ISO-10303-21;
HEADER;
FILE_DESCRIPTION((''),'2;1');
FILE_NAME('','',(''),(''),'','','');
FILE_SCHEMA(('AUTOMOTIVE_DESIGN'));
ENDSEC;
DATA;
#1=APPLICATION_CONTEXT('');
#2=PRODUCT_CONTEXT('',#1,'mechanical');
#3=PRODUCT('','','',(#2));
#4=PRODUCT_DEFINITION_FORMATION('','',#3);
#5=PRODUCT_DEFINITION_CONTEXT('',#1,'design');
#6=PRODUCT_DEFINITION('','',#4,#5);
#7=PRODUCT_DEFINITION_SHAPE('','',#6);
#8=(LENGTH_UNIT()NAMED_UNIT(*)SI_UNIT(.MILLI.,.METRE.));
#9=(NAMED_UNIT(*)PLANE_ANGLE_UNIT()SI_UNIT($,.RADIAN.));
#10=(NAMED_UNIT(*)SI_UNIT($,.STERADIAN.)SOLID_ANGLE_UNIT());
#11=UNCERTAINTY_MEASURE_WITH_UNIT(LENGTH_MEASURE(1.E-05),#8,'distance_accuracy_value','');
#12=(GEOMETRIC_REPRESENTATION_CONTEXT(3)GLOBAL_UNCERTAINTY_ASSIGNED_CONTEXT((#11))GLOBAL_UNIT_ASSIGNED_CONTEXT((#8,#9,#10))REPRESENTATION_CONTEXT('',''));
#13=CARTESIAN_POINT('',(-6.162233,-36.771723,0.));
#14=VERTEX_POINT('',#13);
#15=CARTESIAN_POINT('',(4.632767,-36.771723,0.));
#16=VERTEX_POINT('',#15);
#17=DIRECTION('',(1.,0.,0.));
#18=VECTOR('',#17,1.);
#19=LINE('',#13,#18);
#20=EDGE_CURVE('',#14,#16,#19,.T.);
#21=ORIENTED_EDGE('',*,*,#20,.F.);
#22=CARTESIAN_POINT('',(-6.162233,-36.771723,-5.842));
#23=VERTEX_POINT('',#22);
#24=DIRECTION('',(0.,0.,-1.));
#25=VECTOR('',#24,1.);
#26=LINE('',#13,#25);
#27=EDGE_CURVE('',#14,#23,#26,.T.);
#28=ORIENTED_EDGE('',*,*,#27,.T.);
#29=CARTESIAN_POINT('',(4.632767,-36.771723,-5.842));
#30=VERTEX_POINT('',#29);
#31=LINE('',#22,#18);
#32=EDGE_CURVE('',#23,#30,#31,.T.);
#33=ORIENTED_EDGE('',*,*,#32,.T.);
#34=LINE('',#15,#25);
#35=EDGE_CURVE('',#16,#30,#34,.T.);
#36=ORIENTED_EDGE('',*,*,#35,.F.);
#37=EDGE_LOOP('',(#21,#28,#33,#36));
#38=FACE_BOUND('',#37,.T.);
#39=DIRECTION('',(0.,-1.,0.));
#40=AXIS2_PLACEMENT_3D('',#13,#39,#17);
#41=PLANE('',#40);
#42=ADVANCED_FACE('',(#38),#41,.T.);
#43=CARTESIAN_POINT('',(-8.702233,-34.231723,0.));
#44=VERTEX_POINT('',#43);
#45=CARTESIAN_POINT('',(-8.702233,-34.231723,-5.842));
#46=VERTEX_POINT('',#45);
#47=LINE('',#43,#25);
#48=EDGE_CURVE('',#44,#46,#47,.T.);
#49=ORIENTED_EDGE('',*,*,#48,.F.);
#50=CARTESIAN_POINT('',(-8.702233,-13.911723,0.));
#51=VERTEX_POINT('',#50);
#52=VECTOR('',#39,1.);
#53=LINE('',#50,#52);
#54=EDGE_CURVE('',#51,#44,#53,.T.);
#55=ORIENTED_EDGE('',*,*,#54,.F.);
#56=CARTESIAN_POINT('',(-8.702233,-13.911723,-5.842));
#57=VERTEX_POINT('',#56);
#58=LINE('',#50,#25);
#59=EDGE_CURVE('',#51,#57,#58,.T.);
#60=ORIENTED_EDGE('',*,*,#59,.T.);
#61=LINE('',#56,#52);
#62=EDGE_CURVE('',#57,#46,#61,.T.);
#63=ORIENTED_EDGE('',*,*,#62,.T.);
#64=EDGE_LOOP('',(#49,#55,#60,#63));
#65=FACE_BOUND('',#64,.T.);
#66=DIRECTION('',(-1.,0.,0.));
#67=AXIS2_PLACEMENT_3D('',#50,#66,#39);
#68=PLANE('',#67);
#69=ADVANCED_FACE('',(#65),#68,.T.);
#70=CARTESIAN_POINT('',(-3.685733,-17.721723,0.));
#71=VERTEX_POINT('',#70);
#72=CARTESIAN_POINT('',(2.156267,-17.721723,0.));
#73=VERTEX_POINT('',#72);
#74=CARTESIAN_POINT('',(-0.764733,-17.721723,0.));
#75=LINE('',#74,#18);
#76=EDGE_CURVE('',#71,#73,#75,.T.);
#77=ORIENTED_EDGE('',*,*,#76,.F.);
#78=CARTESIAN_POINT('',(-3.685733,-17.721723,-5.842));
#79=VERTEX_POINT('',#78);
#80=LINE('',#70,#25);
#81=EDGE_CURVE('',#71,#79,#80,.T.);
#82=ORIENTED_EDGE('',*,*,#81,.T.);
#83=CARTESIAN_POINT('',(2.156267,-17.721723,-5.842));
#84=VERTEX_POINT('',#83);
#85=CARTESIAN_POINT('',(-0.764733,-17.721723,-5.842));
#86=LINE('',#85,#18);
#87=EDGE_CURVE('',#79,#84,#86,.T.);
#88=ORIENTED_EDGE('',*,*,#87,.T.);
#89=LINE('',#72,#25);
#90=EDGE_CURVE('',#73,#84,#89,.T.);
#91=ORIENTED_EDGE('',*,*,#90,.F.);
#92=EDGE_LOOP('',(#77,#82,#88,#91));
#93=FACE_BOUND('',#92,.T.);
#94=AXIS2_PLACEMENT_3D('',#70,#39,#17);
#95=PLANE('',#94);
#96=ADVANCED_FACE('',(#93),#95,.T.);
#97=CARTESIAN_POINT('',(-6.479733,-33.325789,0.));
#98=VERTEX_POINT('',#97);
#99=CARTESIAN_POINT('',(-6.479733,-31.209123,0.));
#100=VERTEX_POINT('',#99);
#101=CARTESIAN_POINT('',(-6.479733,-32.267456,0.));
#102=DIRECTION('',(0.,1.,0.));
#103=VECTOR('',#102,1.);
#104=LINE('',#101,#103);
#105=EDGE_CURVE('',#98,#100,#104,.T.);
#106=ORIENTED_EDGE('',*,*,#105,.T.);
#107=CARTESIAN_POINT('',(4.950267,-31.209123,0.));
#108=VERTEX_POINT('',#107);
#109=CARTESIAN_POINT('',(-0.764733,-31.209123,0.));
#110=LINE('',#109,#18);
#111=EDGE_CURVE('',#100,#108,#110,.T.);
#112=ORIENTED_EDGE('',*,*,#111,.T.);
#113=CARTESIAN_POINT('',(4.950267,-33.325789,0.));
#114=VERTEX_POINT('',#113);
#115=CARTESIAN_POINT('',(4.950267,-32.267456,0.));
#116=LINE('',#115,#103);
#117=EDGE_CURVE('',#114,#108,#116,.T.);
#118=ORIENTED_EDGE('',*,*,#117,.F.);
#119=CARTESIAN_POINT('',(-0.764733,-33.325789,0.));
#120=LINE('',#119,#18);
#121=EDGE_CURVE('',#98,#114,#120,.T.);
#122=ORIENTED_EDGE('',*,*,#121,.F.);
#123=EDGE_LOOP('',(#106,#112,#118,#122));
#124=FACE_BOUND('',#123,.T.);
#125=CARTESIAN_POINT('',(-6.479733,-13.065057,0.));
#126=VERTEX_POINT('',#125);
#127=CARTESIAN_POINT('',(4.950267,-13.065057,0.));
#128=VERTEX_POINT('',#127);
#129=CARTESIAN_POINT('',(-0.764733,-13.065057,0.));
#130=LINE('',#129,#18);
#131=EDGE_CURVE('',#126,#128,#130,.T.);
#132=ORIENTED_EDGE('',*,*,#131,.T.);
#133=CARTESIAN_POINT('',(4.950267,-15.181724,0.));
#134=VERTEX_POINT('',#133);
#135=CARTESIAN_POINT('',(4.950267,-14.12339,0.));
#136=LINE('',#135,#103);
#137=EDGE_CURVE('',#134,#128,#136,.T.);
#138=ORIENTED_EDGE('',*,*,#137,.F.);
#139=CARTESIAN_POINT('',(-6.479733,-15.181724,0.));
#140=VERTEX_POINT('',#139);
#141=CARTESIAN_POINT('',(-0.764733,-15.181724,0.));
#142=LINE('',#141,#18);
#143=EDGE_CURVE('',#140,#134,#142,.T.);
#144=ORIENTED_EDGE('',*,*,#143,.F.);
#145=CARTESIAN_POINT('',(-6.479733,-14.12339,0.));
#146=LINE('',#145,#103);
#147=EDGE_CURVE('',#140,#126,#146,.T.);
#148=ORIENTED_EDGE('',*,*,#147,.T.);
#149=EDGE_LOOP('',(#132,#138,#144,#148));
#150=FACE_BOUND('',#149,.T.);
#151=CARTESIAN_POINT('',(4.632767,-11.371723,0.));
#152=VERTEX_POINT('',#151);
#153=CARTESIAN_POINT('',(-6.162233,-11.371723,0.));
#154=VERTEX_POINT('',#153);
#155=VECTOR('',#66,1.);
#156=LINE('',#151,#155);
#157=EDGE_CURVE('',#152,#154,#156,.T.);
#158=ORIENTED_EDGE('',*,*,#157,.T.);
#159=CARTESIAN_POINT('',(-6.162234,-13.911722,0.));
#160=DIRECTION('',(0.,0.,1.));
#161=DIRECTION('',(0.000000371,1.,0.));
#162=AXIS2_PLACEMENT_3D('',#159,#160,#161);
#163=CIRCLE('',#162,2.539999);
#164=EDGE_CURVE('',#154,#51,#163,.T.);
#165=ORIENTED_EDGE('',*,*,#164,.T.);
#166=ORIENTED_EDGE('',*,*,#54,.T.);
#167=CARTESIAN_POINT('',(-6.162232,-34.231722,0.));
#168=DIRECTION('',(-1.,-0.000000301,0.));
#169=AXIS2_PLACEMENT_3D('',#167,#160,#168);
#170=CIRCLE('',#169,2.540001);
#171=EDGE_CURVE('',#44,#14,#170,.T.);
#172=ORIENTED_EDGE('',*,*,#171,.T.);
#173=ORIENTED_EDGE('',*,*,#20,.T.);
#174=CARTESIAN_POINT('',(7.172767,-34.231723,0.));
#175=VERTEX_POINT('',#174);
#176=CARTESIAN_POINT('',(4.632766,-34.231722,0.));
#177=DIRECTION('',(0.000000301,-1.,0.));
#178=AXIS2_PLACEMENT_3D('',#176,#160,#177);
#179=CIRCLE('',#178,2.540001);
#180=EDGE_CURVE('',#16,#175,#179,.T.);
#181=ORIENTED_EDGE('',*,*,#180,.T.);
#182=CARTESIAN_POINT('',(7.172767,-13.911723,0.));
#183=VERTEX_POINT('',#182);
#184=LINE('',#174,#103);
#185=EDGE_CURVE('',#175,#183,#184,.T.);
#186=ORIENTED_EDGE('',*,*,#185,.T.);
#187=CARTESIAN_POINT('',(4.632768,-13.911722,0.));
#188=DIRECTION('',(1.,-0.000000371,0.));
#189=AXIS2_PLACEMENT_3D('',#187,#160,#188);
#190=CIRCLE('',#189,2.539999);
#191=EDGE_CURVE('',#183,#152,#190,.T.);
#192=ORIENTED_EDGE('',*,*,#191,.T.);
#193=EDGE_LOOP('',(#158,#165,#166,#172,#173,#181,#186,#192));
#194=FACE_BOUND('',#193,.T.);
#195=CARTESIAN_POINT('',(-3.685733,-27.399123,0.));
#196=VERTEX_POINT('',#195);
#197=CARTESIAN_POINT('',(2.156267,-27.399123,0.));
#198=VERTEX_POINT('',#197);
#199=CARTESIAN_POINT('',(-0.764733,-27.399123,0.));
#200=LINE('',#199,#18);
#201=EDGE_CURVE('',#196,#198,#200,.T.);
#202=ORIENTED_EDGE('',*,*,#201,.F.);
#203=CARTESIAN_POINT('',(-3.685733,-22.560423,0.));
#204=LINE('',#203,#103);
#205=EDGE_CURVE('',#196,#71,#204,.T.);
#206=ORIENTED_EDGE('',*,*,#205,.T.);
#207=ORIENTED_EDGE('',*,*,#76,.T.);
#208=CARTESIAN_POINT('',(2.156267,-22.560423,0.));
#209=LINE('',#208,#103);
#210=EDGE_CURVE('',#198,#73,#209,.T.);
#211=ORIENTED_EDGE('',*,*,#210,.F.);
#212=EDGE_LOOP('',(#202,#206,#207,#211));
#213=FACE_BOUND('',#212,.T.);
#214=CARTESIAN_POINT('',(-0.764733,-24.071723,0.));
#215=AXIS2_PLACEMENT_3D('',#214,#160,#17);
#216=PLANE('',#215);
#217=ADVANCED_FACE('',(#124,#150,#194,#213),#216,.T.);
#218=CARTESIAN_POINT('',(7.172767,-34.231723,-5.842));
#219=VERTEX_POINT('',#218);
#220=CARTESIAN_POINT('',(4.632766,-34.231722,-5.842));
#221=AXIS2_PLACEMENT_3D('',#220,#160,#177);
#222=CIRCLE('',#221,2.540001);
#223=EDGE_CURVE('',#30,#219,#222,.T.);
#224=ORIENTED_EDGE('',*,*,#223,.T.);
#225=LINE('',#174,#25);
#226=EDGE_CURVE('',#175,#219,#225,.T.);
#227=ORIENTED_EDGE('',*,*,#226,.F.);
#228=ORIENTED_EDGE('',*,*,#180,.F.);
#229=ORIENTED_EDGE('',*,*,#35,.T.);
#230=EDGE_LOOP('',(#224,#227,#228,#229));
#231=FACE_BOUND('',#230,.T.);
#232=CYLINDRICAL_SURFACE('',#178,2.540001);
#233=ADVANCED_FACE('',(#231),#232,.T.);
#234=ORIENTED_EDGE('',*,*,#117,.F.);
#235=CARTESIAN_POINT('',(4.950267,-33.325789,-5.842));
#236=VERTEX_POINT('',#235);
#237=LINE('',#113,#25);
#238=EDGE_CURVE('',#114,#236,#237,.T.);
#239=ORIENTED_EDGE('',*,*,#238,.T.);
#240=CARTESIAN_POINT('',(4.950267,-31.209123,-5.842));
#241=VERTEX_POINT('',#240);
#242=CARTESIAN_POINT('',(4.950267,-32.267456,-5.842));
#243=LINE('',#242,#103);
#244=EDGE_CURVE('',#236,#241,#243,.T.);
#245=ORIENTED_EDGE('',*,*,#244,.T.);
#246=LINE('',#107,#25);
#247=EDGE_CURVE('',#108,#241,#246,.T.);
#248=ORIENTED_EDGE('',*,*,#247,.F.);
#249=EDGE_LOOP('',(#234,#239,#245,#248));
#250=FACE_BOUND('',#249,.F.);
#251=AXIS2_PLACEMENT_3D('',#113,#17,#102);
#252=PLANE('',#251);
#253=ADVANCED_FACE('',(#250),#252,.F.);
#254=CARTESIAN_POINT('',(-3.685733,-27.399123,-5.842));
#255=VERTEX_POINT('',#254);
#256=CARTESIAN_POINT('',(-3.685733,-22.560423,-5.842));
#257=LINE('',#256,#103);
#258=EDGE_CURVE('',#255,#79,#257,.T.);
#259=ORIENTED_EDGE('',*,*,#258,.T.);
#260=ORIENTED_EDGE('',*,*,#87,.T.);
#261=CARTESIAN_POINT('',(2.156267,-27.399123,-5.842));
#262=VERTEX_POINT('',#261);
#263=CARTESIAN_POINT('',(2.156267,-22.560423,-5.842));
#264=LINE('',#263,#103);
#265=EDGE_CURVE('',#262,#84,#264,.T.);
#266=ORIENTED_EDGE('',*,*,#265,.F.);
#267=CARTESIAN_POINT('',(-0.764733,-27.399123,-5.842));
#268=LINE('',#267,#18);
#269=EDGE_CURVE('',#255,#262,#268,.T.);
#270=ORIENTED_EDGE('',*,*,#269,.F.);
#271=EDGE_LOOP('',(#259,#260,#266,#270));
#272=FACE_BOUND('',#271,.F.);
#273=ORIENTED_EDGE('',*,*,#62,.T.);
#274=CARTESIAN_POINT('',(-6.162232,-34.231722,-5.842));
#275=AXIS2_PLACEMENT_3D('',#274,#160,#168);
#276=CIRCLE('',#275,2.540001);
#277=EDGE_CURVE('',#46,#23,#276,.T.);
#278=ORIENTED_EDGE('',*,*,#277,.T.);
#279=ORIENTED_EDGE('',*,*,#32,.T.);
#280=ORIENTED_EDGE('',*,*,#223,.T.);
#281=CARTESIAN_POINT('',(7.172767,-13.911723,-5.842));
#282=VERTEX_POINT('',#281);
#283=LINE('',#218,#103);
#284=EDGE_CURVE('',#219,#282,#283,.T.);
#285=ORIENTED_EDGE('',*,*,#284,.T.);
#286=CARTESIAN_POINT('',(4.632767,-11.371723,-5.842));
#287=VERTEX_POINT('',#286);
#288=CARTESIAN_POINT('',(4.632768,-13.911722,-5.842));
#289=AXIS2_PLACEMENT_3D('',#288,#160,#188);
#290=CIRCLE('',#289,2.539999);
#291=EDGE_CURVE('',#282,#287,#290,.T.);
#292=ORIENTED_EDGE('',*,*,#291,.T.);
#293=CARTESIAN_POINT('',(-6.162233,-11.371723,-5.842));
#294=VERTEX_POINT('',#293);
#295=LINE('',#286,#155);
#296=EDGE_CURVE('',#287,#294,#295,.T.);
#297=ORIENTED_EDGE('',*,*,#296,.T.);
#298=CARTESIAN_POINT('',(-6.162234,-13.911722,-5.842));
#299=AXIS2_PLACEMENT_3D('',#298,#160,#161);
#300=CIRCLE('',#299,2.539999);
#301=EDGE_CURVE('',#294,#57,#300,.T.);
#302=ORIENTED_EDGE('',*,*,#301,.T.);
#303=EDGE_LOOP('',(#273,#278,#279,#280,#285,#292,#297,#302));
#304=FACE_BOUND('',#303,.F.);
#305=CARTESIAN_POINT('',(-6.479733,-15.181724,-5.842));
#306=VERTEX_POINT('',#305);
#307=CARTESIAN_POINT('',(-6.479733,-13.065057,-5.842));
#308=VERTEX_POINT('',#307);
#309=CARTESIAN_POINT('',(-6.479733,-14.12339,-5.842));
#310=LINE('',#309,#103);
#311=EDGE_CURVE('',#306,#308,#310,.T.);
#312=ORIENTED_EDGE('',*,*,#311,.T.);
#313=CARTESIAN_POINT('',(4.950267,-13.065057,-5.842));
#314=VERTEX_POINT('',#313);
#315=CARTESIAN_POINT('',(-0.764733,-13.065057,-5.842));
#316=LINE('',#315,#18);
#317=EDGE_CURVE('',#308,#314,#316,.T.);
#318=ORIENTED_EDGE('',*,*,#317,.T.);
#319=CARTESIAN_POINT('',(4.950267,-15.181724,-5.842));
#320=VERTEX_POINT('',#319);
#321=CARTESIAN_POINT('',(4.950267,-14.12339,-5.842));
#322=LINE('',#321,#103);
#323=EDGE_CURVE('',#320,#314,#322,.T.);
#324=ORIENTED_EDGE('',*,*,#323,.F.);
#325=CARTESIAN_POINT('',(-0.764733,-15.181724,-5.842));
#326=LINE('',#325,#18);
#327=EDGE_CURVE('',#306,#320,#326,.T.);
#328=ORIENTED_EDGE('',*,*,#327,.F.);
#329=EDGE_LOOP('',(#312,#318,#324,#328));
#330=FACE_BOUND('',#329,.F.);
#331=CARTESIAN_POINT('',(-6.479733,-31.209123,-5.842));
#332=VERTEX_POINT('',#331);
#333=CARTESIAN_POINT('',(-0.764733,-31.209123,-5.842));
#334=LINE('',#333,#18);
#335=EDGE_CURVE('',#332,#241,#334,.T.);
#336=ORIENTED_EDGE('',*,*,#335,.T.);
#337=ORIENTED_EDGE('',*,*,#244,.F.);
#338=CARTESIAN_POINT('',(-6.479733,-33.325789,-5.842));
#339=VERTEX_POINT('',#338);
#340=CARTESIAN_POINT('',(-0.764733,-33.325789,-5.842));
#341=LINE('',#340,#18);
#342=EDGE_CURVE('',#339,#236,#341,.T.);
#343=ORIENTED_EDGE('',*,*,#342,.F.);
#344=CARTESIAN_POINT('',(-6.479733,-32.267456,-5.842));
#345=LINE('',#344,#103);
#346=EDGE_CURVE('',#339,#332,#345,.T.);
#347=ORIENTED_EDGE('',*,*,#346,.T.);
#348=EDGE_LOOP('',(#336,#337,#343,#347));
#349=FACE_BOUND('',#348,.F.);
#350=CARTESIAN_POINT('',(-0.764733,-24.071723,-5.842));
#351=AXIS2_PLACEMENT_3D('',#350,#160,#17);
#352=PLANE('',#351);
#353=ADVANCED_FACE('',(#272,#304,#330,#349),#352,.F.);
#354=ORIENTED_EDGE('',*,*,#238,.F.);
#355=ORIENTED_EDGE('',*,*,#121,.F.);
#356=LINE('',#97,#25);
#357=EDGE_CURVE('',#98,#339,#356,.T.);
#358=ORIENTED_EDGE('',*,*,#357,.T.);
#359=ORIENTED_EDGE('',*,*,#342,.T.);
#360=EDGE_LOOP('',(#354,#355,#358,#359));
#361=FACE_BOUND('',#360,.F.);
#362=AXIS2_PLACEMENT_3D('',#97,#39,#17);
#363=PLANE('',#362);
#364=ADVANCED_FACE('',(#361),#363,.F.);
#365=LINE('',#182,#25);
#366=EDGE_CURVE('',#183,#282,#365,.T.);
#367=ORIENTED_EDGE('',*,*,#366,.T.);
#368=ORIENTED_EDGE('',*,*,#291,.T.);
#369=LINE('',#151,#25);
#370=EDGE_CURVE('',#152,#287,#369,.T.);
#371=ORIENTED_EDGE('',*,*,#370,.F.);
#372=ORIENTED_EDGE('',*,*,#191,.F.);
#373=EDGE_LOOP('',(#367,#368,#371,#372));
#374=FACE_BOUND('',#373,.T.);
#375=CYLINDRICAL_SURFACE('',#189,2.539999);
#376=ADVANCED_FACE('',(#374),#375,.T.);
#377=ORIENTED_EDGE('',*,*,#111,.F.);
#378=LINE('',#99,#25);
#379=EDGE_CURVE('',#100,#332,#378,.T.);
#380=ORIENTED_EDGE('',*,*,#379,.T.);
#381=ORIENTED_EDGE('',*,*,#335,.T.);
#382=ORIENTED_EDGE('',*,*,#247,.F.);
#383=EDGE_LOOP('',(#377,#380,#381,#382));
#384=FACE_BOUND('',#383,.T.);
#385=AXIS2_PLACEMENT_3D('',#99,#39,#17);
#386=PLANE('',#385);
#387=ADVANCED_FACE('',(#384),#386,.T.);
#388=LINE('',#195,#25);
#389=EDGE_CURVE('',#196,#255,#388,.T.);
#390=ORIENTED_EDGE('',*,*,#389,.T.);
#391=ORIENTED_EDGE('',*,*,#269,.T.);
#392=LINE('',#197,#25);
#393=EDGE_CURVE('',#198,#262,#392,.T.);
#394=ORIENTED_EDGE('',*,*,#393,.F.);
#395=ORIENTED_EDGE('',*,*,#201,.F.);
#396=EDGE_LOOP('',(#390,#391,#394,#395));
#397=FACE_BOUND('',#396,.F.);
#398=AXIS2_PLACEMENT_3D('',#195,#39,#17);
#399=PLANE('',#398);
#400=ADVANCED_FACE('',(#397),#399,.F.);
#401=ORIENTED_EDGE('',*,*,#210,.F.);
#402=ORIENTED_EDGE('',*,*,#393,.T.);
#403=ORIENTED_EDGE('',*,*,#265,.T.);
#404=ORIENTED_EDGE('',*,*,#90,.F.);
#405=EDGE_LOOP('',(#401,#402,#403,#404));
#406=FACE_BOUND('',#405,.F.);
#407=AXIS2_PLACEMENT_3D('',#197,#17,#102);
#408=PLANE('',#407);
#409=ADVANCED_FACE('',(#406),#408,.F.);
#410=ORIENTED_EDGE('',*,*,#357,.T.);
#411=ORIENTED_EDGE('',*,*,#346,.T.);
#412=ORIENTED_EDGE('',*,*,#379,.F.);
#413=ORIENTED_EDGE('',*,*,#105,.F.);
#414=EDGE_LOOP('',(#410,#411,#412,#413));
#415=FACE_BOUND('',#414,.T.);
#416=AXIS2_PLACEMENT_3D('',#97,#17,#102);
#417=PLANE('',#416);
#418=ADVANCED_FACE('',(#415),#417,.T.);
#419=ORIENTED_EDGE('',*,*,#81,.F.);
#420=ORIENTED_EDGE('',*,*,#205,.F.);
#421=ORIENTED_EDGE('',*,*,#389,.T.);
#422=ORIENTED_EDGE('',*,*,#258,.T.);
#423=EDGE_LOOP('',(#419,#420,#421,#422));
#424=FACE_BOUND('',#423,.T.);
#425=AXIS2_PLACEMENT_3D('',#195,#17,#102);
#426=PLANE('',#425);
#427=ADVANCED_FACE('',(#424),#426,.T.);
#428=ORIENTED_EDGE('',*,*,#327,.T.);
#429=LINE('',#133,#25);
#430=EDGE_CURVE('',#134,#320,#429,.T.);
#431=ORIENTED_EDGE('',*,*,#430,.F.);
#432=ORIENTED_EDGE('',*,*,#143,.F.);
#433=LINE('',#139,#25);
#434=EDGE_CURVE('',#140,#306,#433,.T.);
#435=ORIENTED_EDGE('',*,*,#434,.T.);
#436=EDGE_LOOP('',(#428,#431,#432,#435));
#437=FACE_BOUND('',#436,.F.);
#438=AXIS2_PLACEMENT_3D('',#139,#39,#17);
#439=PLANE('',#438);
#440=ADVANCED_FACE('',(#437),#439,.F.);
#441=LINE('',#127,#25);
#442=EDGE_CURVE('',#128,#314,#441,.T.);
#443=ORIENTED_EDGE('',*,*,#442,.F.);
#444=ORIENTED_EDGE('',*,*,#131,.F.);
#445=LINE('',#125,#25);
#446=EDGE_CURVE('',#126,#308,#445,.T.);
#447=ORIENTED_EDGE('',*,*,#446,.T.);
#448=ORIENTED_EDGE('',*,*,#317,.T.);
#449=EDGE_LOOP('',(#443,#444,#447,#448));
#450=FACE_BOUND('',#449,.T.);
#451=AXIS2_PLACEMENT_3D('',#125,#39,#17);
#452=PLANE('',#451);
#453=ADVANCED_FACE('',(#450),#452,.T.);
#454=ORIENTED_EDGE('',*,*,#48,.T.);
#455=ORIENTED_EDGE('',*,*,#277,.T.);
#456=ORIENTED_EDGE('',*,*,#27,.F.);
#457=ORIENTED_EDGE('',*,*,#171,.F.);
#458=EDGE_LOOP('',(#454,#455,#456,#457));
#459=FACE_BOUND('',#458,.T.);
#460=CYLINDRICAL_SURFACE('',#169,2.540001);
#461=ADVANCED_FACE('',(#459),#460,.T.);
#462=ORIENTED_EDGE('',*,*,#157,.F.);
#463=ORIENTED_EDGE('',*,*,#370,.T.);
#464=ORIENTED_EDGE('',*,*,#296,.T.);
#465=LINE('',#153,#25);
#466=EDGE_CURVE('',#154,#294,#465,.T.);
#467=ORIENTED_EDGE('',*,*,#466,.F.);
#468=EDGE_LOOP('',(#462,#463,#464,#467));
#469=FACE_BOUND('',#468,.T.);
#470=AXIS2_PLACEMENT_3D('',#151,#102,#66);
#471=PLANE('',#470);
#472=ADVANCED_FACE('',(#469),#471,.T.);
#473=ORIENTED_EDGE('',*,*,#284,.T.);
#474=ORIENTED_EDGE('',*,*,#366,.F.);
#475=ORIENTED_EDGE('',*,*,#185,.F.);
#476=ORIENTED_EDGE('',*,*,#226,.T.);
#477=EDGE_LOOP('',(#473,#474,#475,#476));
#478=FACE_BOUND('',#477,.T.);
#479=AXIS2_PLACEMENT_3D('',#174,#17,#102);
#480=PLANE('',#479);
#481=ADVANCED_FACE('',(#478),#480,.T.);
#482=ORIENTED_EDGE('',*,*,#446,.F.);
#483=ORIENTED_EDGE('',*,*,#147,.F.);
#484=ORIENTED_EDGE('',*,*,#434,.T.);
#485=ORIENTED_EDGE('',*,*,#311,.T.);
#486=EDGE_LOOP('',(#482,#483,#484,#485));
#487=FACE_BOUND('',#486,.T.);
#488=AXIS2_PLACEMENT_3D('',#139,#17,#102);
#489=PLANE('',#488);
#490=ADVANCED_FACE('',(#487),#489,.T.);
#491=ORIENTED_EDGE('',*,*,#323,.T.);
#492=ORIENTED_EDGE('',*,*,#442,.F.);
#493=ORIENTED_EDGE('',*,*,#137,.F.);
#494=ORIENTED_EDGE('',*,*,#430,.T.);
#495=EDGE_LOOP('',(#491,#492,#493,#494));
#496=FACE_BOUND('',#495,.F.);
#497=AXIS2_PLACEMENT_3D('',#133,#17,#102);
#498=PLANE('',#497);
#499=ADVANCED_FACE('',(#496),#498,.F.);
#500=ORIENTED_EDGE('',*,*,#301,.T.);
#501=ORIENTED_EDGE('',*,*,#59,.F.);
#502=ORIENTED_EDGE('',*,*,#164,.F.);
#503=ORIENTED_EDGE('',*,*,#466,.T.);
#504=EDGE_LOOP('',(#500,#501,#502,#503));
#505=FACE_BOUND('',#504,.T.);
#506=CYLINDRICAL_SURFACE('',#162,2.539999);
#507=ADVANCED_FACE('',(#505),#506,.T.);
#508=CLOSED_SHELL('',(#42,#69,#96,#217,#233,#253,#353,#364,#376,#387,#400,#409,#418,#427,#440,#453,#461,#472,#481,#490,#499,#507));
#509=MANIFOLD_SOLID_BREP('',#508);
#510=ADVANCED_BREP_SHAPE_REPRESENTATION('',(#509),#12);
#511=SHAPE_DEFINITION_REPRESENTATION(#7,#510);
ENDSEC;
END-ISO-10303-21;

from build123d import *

# Parameters (mm, degrees)
F1_DEPTH = 5.842
F2_W     = 5.842
F2_H     = 9.6774
F2_W_2   = 11.43
F2_H_2   = 2.116666
F2_H_3   = 2.116667
F3_DEPTH = 5.842


with BuildPart() as f1:
    # F0 (on Top) → F1 (new body)
    with BuildSketch(Plane.XY):
        with BuildLine():
            Line((4.632767, -11.371723), (-6.162233, -11.371723))
            ThreePointArc((-6.162233, -11.371723), (-7.958284, -12.115671), (-8.702233, -13.911723))
            Line((-8.702233, -13.911723), (-8.702233, -34.231723))
            ThreePointArc((-8.702233, -34.231723), (-7.958284, -36.027774), (-6.162233, -36.771723))
            Line((-6.162233, -36.771723), (4.632767, -36.771723))
            ThreePointArc((4.632767, -36.771723), (6.428818, -36.027774), (7.172767, -34.231723))
            Line((7.172767, -34.231723), (7.172767, -13.911723))
            ThreePointArc((7.172767, -13.911723), (6.428818, -12.115671), (4.632767, -11.371723))
        make_face()
    extrude(amount=-F1_DEPTH)

    # F2 (on Top) → F3 (cut, through all)
    with BuildSketch(Plane.XY):
        with Locations((-0.764733, -22.560423)):
            Rectangle(F2_W, F2_H)
        with Locations((-0.764733, -32.267456)):
            Rectangle(F2_W_2, F2_H_2)
        with Locations((-0.764733, -14.12339)):
            Rectangle(F2_W_2, F2_H_3)
    extrude(amount=-F3_DEPTH, mode=Mode.SUBTRACT)


solid = f1.part
